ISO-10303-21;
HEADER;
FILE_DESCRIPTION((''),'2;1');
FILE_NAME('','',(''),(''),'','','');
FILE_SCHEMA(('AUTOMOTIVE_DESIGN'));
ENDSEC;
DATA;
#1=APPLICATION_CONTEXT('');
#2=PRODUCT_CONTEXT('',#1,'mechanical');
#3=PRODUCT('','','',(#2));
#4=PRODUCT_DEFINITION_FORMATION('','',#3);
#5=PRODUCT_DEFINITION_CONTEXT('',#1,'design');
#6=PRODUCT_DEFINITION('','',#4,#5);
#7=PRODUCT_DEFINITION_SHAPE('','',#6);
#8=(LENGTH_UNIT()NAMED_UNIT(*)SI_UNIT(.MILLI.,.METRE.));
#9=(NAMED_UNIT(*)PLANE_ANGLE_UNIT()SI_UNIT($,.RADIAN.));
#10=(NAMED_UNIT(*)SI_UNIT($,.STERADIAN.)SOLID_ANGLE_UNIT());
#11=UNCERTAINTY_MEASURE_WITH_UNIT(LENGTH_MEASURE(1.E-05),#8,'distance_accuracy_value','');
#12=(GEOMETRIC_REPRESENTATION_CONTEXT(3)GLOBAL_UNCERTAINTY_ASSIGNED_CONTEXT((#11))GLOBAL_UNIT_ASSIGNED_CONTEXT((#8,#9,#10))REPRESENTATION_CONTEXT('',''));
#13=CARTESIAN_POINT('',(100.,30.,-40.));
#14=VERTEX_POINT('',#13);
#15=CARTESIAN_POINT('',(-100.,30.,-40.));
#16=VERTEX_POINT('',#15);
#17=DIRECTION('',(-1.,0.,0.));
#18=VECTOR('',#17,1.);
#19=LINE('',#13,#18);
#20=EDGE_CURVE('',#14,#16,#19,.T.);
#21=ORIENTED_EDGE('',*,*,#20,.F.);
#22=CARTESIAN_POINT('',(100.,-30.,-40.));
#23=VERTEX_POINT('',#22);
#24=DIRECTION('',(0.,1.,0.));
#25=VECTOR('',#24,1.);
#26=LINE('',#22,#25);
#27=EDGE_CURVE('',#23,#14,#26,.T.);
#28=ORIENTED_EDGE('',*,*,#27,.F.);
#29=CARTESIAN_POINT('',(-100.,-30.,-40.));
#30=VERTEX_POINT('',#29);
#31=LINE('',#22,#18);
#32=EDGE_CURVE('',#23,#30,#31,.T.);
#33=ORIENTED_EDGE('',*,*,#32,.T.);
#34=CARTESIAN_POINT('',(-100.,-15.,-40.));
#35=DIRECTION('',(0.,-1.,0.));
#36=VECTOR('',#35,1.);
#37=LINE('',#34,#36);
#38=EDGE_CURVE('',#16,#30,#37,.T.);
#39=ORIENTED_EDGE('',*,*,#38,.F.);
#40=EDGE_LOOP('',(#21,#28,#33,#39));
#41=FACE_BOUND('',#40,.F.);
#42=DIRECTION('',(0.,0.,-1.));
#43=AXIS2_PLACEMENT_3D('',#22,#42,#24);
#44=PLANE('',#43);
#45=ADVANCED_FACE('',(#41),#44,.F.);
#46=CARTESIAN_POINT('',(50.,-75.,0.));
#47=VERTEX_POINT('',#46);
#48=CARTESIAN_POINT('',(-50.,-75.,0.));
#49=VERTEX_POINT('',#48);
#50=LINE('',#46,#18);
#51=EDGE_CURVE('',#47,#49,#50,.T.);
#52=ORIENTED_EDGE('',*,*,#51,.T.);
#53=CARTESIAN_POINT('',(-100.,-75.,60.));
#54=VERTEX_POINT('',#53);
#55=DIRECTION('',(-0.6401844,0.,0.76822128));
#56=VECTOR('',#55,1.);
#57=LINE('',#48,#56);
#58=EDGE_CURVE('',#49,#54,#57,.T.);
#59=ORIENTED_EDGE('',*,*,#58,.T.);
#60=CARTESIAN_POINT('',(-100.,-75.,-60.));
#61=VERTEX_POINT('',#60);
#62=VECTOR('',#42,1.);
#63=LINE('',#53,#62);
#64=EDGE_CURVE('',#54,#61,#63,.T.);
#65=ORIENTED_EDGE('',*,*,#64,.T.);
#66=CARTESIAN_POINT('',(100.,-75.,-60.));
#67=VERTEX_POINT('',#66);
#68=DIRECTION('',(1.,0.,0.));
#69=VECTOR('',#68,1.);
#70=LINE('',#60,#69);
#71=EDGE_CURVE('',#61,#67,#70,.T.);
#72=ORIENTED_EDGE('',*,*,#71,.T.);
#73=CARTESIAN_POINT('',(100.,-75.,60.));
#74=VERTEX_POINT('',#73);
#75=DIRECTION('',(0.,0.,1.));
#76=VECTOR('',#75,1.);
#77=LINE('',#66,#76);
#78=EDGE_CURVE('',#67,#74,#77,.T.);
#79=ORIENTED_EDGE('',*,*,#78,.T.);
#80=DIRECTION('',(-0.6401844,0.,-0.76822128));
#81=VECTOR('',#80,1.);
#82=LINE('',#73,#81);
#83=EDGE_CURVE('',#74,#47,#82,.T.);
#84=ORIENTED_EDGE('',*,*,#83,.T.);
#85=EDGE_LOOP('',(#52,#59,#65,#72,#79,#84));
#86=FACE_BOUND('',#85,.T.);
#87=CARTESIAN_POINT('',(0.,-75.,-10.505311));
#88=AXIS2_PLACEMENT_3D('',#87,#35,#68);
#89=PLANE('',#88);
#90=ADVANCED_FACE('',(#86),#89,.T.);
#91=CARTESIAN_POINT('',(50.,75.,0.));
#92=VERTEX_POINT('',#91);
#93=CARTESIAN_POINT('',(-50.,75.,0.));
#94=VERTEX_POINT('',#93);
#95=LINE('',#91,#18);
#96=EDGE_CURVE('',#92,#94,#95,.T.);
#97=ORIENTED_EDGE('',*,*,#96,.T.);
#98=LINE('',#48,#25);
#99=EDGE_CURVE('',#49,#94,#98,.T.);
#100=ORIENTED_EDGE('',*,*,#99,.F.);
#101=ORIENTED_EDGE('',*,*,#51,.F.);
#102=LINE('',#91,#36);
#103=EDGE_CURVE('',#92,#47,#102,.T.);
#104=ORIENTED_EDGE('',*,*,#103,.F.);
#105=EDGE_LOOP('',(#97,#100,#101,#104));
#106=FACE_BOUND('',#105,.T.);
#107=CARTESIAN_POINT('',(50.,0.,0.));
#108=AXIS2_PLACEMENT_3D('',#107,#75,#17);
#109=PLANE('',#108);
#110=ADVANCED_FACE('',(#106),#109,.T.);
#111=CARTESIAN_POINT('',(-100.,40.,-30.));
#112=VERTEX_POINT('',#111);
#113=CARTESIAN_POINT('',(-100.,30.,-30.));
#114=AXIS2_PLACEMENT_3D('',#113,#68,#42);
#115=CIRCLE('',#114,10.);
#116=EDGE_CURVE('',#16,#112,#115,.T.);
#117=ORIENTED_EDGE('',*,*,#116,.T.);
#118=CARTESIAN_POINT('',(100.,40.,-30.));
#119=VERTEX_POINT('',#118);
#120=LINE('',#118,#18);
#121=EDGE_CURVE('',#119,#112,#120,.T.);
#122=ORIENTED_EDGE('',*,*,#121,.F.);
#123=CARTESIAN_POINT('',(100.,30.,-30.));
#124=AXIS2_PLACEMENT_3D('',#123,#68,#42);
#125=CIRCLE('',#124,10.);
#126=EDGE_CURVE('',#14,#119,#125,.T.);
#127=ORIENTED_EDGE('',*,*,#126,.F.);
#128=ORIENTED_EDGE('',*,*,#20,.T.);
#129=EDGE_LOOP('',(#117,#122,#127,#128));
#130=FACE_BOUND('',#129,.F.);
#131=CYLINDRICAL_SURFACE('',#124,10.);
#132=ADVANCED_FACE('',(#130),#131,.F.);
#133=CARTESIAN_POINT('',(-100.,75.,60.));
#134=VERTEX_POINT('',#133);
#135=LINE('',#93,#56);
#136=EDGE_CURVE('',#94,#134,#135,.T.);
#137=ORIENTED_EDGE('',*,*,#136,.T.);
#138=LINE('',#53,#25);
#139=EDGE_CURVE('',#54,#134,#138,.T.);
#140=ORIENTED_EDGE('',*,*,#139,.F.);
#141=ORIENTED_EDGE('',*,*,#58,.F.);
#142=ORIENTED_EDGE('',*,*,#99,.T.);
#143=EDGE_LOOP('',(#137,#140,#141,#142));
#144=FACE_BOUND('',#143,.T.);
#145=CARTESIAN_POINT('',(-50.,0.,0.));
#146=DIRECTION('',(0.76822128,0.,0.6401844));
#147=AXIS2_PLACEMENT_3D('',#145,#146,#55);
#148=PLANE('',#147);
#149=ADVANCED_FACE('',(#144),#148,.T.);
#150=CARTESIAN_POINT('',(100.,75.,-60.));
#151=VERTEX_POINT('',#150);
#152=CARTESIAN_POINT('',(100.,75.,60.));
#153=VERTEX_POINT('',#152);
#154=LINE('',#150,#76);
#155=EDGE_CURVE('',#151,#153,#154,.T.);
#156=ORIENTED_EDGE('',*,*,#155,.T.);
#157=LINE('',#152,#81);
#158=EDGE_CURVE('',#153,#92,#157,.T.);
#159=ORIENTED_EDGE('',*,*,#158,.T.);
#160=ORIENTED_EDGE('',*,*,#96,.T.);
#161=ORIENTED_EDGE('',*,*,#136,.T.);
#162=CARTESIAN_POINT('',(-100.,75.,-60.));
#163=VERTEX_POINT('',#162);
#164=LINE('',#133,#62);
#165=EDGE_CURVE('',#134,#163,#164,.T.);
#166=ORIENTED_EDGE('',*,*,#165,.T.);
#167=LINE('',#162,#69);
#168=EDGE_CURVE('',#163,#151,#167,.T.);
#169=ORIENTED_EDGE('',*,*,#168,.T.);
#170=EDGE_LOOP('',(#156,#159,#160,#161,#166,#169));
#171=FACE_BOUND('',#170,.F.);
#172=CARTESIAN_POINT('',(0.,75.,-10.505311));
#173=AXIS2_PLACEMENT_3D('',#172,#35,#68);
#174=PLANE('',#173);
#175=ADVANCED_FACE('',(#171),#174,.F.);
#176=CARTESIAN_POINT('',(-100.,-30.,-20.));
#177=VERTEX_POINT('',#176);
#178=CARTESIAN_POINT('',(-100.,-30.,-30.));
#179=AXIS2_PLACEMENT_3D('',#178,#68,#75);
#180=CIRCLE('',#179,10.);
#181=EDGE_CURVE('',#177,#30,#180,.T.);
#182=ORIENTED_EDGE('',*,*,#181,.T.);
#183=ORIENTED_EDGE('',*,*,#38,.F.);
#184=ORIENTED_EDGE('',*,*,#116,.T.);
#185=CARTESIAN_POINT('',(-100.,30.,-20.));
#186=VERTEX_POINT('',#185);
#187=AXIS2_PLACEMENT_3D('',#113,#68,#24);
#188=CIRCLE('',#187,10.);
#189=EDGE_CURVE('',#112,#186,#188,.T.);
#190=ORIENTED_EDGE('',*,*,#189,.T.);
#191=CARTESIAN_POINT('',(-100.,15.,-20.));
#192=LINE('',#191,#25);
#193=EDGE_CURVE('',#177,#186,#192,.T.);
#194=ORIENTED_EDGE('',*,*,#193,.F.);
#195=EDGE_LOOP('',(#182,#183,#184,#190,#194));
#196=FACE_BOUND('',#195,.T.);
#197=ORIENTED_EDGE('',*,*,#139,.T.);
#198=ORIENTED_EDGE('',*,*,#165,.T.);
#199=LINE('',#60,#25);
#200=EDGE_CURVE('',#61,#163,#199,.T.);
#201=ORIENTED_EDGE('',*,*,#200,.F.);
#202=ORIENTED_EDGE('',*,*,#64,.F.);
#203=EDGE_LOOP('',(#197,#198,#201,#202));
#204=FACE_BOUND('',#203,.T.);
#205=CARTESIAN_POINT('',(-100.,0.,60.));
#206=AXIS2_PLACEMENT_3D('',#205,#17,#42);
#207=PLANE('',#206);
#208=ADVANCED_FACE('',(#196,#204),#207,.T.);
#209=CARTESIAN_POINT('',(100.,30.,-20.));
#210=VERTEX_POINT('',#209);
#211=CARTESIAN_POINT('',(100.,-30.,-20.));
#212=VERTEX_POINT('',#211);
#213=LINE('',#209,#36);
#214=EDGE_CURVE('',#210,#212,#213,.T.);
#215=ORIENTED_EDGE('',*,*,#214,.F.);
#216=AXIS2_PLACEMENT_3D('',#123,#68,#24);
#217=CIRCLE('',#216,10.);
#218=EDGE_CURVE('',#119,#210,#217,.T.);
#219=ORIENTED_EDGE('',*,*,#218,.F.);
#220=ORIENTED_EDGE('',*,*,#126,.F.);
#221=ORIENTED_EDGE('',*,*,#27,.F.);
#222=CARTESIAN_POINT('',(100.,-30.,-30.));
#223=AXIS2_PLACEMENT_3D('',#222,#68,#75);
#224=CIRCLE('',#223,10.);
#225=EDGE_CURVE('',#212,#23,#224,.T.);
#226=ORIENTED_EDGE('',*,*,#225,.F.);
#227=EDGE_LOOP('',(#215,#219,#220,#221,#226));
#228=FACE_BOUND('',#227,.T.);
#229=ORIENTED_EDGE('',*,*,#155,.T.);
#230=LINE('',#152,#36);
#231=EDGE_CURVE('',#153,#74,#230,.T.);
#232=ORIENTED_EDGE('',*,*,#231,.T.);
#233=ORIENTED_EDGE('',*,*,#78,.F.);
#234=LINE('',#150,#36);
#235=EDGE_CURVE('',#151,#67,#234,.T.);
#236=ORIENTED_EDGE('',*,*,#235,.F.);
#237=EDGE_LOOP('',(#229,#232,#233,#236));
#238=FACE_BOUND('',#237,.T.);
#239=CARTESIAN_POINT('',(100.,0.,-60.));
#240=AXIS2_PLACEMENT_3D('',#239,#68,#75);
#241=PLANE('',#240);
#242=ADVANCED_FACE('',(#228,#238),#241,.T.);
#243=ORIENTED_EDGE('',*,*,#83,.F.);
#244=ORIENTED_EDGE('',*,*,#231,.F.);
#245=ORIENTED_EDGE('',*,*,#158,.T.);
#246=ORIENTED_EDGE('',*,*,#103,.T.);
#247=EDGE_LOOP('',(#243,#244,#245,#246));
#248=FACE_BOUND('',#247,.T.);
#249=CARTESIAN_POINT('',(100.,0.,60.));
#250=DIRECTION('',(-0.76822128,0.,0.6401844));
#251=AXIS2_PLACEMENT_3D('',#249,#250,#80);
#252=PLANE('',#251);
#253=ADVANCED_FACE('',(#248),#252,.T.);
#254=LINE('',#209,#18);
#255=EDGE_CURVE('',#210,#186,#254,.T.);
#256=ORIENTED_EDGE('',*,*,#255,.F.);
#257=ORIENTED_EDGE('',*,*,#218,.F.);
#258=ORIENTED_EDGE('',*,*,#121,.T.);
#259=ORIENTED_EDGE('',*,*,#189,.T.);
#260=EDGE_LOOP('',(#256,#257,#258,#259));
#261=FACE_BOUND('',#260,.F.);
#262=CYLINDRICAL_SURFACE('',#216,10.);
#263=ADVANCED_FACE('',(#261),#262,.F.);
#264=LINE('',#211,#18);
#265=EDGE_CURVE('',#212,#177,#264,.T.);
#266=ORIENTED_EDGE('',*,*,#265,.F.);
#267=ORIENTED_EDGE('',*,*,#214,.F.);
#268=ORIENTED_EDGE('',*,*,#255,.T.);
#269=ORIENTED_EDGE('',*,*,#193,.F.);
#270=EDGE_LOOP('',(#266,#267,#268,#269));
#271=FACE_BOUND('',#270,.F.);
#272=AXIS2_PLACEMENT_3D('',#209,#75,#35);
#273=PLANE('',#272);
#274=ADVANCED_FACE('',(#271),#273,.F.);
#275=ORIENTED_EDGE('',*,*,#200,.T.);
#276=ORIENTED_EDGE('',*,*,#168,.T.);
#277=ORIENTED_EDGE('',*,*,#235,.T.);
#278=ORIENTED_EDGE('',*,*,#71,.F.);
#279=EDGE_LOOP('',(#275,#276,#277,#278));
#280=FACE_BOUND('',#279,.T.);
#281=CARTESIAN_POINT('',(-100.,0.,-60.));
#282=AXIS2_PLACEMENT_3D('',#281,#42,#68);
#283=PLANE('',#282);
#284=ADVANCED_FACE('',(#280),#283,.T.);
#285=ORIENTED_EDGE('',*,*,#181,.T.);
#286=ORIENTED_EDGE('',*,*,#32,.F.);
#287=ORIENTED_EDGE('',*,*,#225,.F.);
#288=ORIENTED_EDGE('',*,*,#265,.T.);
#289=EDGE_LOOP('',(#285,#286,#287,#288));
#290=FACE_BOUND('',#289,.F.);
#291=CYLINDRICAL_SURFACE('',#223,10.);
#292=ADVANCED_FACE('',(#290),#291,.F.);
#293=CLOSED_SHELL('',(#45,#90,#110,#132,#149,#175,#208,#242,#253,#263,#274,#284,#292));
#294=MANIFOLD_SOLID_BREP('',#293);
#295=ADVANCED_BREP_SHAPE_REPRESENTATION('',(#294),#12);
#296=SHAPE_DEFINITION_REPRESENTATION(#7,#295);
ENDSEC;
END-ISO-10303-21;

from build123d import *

# Parameters (mm, degrees)
F1_DEPTH = 75
F3_DEPTH = 200.001


with BuildPart() as f1:
    # F0 (on Front) → F1 (new body, symmetric)
    with BuildSketch(Plane.XZ):
        Polygon((-100, -60), (100, -60), (100, 60), (50, 0), (-50, 0), (-100, 60), align=None)
    extrude(amount=F1_DEPTH, both=True)

    # F2 (on face) → F3 (cut, through all)
    with BuildSketch(Plane.YZ.offset(100)):
        with BuildLine():
            ThreePointArc((30, -40), (20, -30), (30, -20))
            Line((30, -20), (-30, -20))
            ThreePointArc((-30, -20), (-22.9289321881, -22.9289321881), (-20, -30))
            ThreePointArc((-20, -30), (-22.9289321881, -37.0710678119), (-30, -40))
            Line((-30, -40), (30, -40))
        make_face()
        with BuildLine():
            ThreePointArc((40, -30), (37.0710678119, -22.9289321881), (30, -20))
            Line((30, -20), (30, -40))
            ThreePointArc((30, -40), (37.0710678119, -37.0710678119), (40, -30))
        make_face()
        with BuildLine():
            Line((30, -40), (30, -20))
            ThreePointArc((30, -20), (20, -30), (30, -40))
        make_face()
        with BuildLine():
            ThreePointArc((-20, -30), (-22.9289321881, -22.9289321881), (-30, -20))
            Line((-30, -20), (-30, -40))
            ThreePointArc((-30, -40), (-22.9289321881, -37.0710678119), (-20, -30))
        make_face()
        with BuildLine():
            Line((-30, -40), (-30, -20))
            ThreePointArc((-30, -20), (-40, -30), (-30, -40))
        make_face()
    extrude(amount=-F3_DEPTH, mode=Mode.SUBTRACT)


solid = f1.part
